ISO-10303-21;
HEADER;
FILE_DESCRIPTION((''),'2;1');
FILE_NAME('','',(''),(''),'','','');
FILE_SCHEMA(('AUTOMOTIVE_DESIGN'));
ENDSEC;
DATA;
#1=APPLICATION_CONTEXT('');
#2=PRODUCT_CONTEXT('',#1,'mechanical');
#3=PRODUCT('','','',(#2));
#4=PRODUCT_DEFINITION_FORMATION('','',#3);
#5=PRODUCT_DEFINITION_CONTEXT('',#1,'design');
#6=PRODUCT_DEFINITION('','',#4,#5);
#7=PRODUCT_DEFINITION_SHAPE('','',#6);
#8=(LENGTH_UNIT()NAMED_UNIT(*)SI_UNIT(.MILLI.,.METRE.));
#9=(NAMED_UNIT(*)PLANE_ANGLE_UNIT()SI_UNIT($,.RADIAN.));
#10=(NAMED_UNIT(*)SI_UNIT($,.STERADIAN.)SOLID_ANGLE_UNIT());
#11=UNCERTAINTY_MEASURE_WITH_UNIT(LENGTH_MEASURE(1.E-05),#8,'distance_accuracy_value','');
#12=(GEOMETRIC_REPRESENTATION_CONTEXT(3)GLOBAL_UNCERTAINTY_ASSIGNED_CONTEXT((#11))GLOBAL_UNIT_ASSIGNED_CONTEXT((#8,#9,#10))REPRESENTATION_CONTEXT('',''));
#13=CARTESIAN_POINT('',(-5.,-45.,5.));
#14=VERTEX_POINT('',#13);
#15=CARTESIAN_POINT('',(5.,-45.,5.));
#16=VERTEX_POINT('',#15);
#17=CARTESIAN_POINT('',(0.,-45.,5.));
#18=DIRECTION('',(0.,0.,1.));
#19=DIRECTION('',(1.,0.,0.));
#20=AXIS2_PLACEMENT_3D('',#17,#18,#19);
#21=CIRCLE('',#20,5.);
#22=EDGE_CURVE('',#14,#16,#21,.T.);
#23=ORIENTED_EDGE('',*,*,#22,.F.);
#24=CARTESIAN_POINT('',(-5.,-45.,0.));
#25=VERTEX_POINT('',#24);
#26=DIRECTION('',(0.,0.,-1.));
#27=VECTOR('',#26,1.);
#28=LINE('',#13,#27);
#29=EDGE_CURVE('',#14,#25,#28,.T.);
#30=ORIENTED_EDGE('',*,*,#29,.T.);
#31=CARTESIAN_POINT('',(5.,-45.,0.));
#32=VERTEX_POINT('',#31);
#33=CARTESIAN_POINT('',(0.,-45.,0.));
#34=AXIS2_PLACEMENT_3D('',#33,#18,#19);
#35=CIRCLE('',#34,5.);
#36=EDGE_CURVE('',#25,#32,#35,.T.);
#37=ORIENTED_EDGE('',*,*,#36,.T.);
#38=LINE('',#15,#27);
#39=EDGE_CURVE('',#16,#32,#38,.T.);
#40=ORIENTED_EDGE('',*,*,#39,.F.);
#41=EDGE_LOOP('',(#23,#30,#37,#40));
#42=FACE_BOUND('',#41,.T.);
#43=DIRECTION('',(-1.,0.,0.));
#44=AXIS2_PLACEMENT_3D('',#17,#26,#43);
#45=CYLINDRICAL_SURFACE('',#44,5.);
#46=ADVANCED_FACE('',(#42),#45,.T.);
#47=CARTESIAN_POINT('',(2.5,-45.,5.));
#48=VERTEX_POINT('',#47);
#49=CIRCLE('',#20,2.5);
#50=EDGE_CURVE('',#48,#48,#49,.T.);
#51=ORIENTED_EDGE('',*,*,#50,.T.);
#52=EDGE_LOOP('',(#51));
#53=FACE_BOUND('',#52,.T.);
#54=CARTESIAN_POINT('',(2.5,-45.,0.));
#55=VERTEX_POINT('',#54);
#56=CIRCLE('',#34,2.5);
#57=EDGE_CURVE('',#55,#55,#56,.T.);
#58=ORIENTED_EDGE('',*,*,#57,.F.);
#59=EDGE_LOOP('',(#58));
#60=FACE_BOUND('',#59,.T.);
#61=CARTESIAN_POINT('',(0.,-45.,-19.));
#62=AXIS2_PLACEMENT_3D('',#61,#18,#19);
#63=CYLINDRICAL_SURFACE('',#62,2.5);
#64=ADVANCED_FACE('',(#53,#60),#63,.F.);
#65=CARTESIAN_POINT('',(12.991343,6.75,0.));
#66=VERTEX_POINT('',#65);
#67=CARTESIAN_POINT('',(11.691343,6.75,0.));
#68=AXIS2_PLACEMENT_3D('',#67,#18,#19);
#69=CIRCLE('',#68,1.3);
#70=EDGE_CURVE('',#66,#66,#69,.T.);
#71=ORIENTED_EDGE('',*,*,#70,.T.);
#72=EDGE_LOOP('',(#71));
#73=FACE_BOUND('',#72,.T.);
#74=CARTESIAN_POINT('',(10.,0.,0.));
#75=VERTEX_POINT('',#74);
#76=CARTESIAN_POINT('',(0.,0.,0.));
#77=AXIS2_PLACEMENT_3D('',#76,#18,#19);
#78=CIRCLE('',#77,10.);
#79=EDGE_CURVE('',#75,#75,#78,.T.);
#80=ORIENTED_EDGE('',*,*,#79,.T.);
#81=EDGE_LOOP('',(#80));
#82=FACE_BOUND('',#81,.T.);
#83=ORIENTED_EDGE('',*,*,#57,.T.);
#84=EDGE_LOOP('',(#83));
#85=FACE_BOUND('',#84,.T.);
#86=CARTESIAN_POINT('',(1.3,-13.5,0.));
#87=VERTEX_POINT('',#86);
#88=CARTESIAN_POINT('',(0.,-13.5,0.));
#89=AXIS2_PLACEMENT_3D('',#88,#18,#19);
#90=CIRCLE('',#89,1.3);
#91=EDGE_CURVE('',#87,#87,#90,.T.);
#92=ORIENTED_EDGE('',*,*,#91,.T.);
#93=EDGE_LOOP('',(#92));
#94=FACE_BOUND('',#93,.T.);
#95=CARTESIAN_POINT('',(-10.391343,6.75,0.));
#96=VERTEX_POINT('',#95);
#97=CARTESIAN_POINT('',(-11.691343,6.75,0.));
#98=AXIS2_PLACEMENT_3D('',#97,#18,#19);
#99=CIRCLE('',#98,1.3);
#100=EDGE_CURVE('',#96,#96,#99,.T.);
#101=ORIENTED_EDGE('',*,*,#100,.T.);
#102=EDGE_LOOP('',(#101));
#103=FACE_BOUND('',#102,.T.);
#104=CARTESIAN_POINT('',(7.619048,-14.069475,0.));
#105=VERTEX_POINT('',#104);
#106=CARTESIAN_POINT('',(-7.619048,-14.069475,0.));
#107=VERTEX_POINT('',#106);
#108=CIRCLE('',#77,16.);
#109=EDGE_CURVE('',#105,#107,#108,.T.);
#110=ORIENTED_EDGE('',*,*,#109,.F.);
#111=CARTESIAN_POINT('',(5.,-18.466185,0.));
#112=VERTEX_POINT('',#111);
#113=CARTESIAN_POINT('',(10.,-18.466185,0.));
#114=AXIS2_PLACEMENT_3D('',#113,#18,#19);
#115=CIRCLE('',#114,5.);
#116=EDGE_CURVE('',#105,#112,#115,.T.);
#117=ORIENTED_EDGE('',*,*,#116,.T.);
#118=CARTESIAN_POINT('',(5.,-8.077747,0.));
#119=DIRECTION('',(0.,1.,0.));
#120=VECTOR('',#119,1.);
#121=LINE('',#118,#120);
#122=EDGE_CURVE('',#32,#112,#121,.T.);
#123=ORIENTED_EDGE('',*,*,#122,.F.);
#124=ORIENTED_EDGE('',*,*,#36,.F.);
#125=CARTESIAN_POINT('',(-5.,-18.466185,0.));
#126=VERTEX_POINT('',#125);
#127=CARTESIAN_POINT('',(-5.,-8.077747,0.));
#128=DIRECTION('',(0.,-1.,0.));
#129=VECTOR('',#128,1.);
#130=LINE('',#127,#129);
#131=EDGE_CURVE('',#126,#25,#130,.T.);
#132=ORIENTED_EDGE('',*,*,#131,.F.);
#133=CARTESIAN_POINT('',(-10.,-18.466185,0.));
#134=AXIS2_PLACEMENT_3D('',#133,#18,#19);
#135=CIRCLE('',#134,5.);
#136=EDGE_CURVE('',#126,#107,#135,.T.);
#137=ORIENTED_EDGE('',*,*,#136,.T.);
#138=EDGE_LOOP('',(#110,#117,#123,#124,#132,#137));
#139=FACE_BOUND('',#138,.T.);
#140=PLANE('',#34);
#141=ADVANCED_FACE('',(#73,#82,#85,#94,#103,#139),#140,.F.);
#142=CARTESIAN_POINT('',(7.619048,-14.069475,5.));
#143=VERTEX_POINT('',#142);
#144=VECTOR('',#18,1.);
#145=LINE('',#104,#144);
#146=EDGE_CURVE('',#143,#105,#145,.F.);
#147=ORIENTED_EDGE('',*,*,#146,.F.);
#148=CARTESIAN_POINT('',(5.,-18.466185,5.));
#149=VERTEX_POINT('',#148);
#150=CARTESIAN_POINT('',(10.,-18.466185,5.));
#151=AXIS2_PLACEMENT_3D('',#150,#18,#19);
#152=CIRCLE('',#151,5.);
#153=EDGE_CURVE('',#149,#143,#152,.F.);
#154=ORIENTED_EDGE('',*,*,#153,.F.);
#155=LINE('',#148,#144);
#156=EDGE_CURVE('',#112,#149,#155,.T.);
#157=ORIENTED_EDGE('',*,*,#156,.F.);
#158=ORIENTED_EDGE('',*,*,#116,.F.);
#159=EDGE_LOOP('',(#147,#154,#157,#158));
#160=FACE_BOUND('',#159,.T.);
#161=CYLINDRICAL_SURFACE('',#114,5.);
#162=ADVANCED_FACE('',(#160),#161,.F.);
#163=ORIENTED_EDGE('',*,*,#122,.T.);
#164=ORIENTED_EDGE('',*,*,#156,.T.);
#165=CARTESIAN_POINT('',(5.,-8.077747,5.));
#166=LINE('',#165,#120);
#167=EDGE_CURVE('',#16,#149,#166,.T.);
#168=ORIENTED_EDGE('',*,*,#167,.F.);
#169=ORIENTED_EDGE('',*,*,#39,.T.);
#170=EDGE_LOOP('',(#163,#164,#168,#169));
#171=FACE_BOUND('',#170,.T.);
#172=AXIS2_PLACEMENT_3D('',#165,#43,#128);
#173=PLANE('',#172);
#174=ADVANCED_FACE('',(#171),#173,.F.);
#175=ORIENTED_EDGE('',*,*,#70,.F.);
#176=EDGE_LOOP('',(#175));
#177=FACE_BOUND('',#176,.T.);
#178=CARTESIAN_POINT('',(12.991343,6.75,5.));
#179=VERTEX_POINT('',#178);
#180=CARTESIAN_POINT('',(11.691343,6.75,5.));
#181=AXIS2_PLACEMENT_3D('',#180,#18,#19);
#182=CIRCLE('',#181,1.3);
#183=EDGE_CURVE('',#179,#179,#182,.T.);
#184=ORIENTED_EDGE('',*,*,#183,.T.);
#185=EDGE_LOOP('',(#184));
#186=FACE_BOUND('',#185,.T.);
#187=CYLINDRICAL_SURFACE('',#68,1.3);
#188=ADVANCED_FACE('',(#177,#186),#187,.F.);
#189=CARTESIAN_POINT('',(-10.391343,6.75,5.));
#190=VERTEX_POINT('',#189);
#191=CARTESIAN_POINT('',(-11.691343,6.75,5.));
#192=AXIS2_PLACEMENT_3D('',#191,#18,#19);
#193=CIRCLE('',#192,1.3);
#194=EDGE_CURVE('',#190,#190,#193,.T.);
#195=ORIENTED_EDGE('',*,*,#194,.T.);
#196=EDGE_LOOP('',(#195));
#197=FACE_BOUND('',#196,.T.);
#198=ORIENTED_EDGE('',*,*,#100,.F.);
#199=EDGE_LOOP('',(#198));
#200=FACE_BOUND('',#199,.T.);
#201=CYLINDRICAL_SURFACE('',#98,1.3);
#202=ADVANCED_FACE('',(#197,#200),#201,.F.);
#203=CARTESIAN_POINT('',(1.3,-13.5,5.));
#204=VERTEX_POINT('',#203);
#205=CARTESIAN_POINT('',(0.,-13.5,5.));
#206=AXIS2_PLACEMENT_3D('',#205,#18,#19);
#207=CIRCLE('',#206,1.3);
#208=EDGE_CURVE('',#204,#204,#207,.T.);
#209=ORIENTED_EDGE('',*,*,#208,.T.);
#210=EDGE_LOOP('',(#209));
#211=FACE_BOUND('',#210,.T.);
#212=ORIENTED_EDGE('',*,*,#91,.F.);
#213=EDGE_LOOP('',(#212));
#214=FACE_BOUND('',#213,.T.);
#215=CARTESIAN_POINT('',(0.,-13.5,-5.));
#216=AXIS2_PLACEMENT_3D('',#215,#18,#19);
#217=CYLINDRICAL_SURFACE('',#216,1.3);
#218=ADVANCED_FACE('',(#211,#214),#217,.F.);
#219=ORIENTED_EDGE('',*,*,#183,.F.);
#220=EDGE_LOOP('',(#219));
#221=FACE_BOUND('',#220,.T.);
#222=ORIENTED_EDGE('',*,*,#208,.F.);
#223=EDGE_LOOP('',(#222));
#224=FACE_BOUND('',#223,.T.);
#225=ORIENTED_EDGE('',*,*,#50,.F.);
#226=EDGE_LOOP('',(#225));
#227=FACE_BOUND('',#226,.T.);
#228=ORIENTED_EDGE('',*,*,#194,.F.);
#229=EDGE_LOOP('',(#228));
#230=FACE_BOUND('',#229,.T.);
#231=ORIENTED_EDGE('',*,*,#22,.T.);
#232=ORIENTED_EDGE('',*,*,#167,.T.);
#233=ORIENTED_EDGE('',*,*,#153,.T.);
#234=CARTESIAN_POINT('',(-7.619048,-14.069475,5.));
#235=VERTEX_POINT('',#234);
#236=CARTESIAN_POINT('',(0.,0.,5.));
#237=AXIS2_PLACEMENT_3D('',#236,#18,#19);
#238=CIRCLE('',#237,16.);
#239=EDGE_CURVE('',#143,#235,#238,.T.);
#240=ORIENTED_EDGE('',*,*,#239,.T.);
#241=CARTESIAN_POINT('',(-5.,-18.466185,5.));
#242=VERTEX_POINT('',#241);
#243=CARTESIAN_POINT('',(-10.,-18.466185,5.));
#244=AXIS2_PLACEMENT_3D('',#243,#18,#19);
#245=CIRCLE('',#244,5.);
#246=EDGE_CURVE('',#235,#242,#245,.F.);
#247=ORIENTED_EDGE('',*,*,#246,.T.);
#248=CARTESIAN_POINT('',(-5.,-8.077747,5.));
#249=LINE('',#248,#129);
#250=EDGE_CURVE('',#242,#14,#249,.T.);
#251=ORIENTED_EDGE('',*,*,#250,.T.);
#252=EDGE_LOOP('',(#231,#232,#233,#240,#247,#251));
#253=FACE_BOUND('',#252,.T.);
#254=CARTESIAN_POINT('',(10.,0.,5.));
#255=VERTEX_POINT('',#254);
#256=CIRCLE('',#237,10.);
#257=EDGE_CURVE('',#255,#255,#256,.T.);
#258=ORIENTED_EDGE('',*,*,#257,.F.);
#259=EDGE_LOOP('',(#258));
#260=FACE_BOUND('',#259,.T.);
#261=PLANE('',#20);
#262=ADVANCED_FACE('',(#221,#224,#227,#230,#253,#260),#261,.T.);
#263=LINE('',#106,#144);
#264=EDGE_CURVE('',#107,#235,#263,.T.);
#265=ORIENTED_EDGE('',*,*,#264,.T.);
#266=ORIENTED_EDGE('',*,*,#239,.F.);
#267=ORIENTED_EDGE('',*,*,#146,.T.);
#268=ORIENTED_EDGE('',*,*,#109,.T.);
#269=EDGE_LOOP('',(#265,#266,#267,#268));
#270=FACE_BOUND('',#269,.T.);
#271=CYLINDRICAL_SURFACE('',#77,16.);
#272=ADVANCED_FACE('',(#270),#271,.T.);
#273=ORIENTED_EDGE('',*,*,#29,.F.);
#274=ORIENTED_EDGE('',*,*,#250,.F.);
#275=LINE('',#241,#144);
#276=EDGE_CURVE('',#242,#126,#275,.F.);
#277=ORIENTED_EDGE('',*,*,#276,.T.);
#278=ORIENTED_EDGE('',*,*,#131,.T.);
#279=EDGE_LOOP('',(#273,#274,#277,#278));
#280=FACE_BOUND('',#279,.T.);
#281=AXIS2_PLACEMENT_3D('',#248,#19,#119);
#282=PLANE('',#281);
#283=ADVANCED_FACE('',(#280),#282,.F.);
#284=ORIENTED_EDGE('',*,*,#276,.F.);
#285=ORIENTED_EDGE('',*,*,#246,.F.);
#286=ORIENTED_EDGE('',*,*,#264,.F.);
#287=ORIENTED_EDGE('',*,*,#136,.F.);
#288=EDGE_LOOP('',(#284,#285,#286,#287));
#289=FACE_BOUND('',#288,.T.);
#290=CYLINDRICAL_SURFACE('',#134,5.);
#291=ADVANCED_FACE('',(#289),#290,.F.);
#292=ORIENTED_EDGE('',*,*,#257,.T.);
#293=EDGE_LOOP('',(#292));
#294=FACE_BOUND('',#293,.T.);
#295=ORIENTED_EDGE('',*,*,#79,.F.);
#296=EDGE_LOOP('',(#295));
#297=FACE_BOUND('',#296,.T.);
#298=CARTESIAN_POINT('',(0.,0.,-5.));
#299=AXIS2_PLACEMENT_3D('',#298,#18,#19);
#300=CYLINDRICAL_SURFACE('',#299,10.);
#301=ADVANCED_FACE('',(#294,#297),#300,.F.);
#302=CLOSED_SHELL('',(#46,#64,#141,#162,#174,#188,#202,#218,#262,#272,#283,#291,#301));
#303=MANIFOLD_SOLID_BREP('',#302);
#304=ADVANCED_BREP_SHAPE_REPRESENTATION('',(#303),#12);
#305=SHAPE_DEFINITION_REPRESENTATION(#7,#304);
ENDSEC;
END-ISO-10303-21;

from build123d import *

# Parameters (mm, degrees)
EXTRUDE_1_DEPTH     = 5
SKETCH_3_R          = 2.5
CUT_EXTRUDE_1_DEPTH = 24
SKETCH_4_R          = 1.525
CUT_EXTRUDE_2_DEPTH = 5
SKETCH_5_R          = 2.5
CUT_EXTRUDE_3_DEPTH = 5
FILLET_1_R          = 5
SKETCH_6_R          = 1.3
SKETCH_6_R_2        = 10
CUT_EXTRUDE_4_DEPTH = 10
SKETCH_7_R          = 16
SKETCH_7_R_2        = 10
SKETCH_7_R_3        = 1.3
EXTRUDE_2_DEPTH     = 5
FILLET_2_R          = 5


with BuildPart() as part:
    # 草图1 → 凸台-拉伸1 (new body)
    with BuildSketch(Plane.XY):
        with BuildLine():
            Line((5, -8.077747211), (5, -45))
            ThreePointArc((5, -45), (0, -50), (-5, -45))
            Line((-5, -45), (-5, -8.077747211))
            ThreePointArc((-5, -8.077747211), (0, 9.5), (5, -8.077747211))
        make_face()
    extrude(amount=EXTRUDE_1_DEPTH)

    # 草图3 → 切除-拉伸1 (cut)
    with BuildSketch(Plane.XY.offset(5)):
        with Locations((0, -45)):
            Circle(SKETCH_3_R)
    extrude(amount=-CUT_EXTRUDE_1_DEPTH, mode=Mode.SUBTRACT)

    # 草图4 → 切除-拉伸2 (cut)
    with BuildSketch(Plane.XY.offset(5)):
        with Locations((0, 6.25)):
            Circle(SKETCH_4_R)
        with Locations((0, -6.25)):
            Circle(SKETCH_4_R)
    extrude(amount=-CUT_EXTRUDE_2_DEPTH, mode=Mode.SUBTRACT)

    # 草图5 → 切除-拉伸3 (cut)
    with BuildSketch(Plane.XY.offset(5)):
        Circle(SKETCH_5_R)
    extrude(amount=-CUT_EXTRUDE_3_DEPTH, mode=Mode.SUBTRACT)

    # 圆角1
    fillet_1_edges = [part.edges().sort_by_distance(p)[0] for p in [
        (-5, -8.077747211, 2.5),
        (5, -8.077747211, 2.5),
    ]]
    fillet(fillet_1_edges, radius=FILLET_1_R)

    # 草图6 → 切除-拉伸4 (cut)
    with BuildSketch(Plane.XY.offset(5)):
        with Locations((0, -13.5)):
            Circle(SKETCH_6_R)
        Circle(SKETCH_6_R_2)
    extrude(amount=-CUT_EXTRUDE_4_DEPTH, mode=Mode.SUBTRACT)

    # 草图7 → 凸台-拉伸2 (add)
    with BuildSketch(Plane.XY.offset(5)):
        Circle(SKETCH_7_R)
        Circle(SKETCH_7_R_2, mode=Mode.SUBTRACT)
        with Locations((11.691342951, 6.75)):
            Circle(SKETCH_7_R_3, mode=Mode.SUBTRACT)
        with Locations((-11.691342951, 6.75)):
            Circle(SKETCH_7_R_3, mode=Mode.SUBTRACT)
        with Locations((0, -13.5)):
            Circle(SKETCH_7_R_3, mode=Mode.SUBTRACT)
    extrude(amount=-EXTRUDE_2_DEPTH)

    # 圆角2
    fillet_2_edges = [part.edges().sort_by_distance(p)[0] for p in [
        (5, -15.198684154, 2.5),
        (-5, -15.198684154, 2.5),
    ]]
    fillet(fillet_2_edges, radius=FILLET_2_R)


solid = part.part
